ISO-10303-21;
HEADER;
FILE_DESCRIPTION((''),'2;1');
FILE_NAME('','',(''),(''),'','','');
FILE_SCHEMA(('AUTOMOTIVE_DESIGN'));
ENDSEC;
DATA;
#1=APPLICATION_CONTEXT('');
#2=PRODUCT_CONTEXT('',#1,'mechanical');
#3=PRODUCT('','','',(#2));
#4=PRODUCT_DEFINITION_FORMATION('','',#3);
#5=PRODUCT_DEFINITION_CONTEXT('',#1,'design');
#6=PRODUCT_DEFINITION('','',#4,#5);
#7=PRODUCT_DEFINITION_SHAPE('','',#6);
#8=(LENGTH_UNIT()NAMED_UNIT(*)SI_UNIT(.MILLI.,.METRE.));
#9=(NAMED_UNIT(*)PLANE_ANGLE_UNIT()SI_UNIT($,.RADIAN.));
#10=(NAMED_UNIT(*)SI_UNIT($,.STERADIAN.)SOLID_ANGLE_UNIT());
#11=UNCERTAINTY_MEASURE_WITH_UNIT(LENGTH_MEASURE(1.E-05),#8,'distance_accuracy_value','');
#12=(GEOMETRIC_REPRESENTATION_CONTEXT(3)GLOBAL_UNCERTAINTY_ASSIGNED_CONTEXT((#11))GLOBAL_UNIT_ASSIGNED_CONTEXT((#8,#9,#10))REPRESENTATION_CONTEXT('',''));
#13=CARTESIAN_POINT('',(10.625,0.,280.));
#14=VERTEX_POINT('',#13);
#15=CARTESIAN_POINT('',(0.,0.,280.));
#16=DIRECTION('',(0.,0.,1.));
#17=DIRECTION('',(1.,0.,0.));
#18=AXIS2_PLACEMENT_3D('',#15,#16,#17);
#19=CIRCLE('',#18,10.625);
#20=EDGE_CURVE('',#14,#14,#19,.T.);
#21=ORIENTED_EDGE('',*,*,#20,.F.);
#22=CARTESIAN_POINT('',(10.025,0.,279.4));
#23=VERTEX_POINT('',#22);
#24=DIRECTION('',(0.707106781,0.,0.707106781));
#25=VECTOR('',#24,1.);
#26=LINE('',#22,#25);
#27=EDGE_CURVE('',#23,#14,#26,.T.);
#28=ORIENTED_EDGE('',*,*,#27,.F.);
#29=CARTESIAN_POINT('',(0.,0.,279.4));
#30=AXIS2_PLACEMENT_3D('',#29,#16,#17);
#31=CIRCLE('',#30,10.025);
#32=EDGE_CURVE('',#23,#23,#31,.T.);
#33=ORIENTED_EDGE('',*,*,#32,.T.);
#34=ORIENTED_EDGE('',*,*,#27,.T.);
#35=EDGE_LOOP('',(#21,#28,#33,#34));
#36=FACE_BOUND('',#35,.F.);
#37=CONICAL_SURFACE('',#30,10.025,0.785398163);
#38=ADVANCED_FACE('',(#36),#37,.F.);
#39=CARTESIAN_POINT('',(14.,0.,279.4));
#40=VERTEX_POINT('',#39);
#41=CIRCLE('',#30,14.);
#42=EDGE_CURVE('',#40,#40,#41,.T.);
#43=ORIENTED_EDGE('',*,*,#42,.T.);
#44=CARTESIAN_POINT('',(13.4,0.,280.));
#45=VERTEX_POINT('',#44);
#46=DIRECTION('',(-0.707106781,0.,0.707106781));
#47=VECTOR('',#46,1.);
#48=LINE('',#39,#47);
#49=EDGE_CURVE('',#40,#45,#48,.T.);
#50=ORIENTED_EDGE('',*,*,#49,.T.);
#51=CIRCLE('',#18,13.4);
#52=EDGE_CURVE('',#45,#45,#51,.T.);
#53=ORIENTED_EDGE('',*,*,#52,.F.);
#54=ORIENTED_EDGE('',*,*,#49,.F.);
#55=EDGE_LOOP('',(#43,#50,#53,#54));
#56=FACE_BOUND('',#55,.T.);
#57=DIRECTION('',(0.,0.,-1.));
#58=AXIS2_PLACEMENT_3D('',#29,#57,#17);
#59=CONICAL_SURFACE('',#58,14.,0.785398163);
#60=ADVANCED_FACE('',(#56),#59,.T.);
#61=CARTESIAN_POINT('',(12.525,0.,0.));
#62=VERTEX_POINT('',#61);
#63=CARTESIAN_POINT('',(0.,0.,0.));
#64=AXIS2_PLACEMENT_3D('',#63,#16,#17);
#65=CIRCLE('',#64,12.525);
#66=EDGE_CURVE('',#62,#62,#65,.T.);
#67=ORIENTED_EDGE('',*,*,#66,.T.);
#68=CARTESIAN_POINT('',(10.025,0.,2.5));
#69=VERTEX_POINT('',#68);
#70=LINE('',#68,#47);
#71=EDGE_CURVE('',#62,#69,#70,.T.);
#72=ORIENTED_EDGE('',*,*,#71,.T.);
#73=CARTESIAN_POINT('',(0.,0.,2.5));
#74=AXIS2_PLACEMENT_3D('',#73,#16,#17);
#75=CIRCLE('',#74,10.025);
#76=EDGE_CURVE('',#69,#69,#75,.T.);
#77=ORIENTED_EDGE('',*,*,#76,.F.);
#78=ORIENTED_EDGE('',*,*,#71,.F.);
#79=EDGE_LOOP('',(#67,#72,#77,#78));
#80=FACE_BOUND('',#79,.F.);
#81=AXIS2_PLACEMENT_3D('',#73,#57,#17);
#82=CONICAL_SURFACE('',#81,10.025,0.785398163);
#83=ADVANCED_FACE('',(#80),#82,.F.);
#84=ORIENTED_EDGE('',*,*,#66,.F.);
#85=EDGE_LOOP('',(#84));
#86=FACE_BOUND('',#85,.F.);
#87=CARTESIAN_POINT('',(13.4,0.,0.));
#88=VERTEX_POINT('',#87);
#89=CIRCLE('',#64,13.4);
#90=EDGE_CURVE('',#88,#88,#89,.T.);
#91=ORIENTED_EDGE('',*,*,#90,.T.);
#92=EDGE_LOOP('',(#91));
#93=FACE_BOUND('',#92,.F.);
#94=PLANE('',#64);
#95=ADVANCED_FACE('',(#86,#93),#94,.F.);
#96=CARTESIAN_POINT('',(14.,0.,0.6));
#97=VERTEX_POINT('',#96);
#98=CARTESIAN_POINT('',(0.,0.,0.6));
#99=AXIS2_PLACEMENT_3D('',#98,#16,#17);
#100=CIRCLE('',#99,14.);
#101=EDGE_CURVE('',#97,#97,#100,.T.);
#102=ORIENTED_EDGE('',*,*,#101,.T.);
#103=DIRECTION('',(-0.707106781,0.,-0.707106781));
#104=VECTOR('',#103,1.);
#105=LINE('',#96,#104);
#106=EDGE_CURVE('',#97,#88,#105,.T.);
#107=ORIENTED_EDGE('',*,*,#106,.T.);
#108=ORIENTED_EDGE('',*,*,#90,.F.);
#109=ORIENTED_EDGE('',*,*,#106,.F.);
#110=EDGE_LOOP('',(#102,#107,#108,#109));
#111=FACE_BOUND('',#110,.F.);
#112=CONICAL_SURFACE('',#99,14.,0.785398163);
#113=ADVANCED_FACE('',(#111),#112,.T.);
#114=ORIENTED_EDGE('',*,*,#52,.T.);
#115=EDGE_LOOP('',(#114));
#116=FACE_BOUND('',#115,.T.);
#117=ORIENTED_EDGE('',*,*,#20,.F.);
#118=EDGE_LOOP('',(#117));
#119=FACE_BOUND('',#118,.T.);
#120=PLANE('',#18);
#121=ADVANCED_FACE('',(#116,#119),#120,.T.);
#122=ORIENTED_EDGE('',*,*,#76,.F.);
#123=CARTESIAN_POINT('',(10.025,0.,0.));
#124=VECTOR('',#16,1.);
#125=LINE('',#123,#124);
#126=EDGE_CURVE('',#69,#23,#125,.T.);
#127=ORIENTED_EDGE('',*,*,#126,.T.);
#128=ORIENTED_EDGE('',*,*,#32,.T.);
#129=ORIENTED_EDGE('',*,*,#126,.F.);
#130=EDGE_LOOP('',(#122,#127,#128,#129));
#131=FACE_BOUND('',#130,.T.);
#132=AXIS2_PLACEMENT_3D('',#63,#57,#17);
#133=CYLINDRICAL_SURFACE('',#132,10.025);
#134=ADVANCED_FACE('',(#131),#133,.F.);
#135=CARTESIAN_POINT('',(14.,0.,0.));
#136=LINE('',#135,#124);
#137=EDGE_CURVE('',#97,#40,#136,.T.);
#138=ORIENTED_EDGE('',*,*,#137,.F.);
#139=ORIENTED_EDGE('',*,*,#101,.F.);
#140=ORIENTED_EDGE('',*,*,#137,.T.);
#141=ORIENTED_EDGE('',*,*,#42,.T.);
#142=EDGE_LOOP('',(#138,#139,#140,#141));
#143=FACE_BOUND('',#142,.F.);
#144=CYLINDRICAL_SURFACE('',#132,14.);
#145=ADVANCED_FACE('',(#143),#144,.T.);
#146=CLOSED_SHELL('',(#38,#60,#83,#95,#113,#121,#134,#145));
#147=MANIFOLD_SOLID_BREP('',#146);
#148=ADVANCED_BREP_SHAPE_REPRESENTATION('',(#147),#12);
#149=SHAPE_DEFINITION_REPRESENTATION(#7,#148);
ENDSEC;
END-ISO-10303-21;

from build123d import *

# Parameters (mm, degrees)
F0_R     = 14
F0_R_2   = 10.025
F1_DEPTH = 280
F2_SIZE  = 0.6
F3_SIZE  = 2.5


with BuildPart() as f1:
    # F0 (on Top) → F1 (new body)
    with BuildSketch(Plane.XY):
        Circle(F0_R)
        Circle(F0_R_2, mode=Mode.SUBTRACT)
    extrude(amount=F1_DEPTH)

    # F2
    f2_edges = [f1.edges().sort_by_distance(p)[0] for p in [
        (-10.025, 0, 280),
        (-14, 0, 280),
        (-14, 0, 0),
    ]]
    chamfer(f2_edges, length=F2_SIZE)

    # F3
    f3_edges = [f1.edges().sort_by_distance(p)[0] for p in [
        (-10.025, 0, 0),
    ]]
    chamfer(f3_edges, length=F3_SIZE)


solid = f1.part
